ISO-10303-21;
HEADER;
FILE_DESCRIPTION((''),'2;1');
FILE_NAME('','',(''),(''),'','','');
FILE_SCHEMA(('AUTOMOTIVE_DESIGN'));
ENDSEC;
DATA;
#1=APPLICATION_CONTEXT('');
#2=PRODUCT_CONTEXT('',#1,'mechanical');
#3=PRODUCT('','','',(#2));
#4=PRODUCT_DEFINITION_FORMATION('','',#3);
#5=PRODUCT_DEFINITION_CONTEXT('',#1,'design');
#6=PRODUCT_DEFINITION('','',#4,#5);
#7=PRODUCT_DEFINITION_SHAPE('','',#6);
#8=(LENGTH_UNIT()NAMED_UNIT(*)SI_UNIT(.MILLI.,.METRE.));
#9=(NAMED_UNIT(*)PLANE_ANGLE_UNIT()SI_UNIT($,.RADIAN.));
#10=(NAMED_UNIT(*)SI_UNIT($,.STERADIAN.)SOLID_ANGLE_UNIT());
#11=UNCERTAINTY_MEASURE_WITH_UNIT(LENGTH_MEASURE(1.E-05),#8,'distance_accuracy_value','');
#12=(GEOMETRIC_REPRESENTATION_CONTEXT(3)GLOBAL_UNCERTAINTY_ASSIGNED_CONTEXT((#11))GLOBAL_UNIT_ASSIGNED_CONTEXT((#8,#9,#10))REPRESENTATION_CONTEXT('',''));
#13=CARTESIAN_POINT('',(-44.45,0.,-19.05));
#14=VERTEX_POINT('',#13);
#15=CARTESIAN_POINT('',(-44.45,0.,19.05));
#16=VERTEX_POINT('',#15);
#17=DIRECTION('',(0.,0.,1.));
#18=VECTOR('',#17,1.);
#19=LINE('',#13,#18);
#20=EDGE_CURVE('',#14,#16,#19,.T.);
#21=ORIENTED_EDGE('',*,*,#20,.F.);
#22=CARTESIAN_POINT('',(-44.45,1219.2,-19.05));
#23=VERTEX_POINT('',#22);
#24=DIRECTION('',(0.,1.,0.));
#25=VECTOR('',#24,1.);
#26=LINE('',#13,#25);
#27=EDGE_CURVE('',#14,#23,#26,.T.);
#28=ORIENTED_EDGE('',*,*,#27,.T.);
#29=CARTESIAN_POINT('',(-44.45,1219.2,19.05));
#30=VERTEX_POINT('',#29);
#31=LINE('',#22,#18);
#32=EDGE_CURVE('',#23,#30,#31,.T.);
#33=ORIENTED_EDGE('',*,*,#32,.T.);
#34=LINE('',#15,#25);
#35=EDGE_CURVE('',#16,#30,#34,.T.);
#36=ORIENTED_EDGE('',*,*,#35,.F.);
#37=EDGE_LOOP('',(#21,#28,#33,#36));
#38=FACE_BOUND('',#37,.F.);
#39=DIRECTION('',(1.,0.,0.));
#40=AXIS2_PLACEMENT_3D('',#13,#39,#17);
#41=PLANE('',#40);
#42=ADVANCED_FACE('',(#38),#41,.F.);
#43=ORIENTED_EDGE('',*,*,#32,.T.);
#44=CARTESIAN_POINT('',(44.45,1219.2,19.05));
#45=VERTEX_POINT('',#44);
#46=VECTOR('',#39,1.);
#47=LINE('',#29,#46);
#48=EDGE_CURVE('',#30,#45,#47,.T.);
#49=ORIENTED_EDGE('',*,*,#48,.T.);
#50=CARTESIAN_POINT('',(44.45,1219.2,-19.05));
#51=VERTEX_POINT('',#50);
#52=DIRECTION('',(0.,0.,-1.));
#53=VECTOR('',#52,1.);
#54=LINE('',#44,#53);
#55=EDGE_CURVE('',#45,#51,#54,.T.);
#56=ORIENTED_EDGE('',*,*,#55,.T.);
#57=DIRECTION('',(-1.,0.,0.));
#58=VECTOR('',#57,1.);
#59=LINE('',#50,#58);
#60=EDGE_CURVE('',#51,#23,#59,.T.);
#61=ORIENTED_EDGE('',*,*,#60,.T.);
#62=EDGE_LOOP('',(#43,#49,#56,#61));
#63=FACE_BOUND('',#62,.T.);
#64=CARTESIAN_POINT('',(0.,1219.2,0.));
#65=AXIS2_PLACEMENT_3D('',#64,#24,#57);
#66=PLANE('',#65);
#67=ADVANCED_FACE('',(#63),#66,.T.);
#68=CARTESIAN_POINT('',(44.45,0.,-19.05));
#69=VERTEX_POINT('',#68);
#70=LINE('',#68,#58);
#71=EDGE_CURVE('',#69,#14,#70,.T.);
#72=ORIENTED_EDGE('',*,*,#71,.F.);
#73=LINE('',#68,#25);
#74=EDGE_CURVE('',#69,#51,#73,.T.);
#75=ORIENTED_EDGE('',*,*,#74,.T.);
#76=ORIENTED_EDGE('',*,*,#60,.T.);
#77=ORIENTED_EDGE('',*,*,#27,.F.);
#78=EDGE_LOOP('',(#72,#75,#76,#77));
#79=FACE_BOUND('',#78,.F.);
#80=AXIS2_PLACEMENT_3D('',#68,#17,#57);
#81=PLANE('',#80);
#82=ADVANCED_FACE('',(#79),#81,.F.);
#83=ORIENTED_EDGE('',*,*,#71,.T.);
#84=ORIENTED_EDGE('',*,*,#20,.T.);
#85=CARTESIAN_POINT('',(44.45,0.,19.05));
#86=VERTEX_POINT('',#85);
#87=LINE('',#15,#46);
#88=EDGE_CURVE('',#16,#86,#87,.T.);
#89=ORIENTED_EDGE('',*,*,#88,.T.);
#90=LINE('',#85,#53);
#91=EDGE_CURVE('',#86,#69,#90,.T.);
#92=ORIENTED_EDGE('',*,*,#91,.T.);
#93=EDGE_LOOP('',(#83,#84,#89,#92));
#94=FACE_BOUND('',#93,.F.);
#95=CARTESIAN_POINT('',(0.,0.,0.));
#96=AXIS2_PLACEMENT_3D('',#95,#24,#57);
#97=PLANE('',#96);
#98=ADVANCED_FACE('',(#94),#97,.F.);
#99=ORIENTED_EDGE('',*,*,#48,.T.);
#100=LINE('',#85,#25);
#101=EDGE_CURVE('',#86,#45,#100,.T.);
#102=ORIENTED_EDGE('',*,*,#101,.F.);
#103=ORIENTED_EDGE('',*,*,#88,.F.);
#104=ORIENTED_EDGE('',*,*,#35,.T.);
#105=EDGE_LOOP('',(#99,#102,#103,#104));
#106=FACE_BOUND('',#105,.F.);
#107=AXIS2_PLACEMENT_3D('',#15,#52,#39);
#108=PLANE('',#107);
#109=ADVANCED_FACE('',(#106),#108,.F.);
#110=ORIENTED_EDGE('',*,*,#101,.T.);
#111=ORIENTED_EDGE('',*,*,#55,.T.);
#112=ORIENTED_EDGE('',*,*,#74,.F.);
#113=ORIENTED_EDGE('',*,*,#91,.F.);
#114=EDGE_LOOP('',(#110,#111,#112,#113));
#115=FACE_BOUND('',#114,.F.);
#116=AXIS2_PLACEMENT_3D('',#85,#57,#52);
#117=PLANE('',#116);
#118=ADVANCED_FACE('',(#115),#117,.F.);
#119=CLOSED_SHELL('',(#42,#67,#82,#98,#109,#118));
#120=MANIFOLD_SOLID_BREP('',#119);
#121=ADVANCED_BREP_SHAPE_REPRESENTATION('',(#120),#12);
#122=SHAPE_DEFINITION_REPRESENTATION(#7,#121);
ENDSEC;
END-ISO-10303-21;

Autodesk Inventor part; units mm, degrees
ref_plane "YZ Plane" through (0, 0, 0) normal (1, 0, 0) x (0, 1, 0)
ref_plane "XZ Plane" through (0, 0, 0) normal (0, 1, 0) x (-1, 0, 0)
ref_plane "XY Plane" through (0, 0, 0) normal (0, 0, 1) x (1, 0, 0)
sketch "Sketch1" plane through (0, 0, 0) normal (0, 1, 0) x (-1, 0, 0)
  line L0 (-44.45, -19.05) -> (44.45, -19.05)
  line L1 (44.45, -19.05) -> (44.45, 19.05)
  line L2 (44.45, 19.05) -> (-44.45, 19.05)
  line L3 (-44.45, 19.05) -> (-44.45, -19.05)
  line L4 (-44.45, -19.05) -> (44.45, 19.05) construction
  line L5 (44.45, -19.05) -> (-44.45, 19.05) construction
  point P0 (0, 0)
  dimension "d0" = 38.1
  dimension "d1" = 88.9
extrude "Extrusion1" add sketch "Sketch1" along normal blind 1219.2
properties part number "10'x2x4"
